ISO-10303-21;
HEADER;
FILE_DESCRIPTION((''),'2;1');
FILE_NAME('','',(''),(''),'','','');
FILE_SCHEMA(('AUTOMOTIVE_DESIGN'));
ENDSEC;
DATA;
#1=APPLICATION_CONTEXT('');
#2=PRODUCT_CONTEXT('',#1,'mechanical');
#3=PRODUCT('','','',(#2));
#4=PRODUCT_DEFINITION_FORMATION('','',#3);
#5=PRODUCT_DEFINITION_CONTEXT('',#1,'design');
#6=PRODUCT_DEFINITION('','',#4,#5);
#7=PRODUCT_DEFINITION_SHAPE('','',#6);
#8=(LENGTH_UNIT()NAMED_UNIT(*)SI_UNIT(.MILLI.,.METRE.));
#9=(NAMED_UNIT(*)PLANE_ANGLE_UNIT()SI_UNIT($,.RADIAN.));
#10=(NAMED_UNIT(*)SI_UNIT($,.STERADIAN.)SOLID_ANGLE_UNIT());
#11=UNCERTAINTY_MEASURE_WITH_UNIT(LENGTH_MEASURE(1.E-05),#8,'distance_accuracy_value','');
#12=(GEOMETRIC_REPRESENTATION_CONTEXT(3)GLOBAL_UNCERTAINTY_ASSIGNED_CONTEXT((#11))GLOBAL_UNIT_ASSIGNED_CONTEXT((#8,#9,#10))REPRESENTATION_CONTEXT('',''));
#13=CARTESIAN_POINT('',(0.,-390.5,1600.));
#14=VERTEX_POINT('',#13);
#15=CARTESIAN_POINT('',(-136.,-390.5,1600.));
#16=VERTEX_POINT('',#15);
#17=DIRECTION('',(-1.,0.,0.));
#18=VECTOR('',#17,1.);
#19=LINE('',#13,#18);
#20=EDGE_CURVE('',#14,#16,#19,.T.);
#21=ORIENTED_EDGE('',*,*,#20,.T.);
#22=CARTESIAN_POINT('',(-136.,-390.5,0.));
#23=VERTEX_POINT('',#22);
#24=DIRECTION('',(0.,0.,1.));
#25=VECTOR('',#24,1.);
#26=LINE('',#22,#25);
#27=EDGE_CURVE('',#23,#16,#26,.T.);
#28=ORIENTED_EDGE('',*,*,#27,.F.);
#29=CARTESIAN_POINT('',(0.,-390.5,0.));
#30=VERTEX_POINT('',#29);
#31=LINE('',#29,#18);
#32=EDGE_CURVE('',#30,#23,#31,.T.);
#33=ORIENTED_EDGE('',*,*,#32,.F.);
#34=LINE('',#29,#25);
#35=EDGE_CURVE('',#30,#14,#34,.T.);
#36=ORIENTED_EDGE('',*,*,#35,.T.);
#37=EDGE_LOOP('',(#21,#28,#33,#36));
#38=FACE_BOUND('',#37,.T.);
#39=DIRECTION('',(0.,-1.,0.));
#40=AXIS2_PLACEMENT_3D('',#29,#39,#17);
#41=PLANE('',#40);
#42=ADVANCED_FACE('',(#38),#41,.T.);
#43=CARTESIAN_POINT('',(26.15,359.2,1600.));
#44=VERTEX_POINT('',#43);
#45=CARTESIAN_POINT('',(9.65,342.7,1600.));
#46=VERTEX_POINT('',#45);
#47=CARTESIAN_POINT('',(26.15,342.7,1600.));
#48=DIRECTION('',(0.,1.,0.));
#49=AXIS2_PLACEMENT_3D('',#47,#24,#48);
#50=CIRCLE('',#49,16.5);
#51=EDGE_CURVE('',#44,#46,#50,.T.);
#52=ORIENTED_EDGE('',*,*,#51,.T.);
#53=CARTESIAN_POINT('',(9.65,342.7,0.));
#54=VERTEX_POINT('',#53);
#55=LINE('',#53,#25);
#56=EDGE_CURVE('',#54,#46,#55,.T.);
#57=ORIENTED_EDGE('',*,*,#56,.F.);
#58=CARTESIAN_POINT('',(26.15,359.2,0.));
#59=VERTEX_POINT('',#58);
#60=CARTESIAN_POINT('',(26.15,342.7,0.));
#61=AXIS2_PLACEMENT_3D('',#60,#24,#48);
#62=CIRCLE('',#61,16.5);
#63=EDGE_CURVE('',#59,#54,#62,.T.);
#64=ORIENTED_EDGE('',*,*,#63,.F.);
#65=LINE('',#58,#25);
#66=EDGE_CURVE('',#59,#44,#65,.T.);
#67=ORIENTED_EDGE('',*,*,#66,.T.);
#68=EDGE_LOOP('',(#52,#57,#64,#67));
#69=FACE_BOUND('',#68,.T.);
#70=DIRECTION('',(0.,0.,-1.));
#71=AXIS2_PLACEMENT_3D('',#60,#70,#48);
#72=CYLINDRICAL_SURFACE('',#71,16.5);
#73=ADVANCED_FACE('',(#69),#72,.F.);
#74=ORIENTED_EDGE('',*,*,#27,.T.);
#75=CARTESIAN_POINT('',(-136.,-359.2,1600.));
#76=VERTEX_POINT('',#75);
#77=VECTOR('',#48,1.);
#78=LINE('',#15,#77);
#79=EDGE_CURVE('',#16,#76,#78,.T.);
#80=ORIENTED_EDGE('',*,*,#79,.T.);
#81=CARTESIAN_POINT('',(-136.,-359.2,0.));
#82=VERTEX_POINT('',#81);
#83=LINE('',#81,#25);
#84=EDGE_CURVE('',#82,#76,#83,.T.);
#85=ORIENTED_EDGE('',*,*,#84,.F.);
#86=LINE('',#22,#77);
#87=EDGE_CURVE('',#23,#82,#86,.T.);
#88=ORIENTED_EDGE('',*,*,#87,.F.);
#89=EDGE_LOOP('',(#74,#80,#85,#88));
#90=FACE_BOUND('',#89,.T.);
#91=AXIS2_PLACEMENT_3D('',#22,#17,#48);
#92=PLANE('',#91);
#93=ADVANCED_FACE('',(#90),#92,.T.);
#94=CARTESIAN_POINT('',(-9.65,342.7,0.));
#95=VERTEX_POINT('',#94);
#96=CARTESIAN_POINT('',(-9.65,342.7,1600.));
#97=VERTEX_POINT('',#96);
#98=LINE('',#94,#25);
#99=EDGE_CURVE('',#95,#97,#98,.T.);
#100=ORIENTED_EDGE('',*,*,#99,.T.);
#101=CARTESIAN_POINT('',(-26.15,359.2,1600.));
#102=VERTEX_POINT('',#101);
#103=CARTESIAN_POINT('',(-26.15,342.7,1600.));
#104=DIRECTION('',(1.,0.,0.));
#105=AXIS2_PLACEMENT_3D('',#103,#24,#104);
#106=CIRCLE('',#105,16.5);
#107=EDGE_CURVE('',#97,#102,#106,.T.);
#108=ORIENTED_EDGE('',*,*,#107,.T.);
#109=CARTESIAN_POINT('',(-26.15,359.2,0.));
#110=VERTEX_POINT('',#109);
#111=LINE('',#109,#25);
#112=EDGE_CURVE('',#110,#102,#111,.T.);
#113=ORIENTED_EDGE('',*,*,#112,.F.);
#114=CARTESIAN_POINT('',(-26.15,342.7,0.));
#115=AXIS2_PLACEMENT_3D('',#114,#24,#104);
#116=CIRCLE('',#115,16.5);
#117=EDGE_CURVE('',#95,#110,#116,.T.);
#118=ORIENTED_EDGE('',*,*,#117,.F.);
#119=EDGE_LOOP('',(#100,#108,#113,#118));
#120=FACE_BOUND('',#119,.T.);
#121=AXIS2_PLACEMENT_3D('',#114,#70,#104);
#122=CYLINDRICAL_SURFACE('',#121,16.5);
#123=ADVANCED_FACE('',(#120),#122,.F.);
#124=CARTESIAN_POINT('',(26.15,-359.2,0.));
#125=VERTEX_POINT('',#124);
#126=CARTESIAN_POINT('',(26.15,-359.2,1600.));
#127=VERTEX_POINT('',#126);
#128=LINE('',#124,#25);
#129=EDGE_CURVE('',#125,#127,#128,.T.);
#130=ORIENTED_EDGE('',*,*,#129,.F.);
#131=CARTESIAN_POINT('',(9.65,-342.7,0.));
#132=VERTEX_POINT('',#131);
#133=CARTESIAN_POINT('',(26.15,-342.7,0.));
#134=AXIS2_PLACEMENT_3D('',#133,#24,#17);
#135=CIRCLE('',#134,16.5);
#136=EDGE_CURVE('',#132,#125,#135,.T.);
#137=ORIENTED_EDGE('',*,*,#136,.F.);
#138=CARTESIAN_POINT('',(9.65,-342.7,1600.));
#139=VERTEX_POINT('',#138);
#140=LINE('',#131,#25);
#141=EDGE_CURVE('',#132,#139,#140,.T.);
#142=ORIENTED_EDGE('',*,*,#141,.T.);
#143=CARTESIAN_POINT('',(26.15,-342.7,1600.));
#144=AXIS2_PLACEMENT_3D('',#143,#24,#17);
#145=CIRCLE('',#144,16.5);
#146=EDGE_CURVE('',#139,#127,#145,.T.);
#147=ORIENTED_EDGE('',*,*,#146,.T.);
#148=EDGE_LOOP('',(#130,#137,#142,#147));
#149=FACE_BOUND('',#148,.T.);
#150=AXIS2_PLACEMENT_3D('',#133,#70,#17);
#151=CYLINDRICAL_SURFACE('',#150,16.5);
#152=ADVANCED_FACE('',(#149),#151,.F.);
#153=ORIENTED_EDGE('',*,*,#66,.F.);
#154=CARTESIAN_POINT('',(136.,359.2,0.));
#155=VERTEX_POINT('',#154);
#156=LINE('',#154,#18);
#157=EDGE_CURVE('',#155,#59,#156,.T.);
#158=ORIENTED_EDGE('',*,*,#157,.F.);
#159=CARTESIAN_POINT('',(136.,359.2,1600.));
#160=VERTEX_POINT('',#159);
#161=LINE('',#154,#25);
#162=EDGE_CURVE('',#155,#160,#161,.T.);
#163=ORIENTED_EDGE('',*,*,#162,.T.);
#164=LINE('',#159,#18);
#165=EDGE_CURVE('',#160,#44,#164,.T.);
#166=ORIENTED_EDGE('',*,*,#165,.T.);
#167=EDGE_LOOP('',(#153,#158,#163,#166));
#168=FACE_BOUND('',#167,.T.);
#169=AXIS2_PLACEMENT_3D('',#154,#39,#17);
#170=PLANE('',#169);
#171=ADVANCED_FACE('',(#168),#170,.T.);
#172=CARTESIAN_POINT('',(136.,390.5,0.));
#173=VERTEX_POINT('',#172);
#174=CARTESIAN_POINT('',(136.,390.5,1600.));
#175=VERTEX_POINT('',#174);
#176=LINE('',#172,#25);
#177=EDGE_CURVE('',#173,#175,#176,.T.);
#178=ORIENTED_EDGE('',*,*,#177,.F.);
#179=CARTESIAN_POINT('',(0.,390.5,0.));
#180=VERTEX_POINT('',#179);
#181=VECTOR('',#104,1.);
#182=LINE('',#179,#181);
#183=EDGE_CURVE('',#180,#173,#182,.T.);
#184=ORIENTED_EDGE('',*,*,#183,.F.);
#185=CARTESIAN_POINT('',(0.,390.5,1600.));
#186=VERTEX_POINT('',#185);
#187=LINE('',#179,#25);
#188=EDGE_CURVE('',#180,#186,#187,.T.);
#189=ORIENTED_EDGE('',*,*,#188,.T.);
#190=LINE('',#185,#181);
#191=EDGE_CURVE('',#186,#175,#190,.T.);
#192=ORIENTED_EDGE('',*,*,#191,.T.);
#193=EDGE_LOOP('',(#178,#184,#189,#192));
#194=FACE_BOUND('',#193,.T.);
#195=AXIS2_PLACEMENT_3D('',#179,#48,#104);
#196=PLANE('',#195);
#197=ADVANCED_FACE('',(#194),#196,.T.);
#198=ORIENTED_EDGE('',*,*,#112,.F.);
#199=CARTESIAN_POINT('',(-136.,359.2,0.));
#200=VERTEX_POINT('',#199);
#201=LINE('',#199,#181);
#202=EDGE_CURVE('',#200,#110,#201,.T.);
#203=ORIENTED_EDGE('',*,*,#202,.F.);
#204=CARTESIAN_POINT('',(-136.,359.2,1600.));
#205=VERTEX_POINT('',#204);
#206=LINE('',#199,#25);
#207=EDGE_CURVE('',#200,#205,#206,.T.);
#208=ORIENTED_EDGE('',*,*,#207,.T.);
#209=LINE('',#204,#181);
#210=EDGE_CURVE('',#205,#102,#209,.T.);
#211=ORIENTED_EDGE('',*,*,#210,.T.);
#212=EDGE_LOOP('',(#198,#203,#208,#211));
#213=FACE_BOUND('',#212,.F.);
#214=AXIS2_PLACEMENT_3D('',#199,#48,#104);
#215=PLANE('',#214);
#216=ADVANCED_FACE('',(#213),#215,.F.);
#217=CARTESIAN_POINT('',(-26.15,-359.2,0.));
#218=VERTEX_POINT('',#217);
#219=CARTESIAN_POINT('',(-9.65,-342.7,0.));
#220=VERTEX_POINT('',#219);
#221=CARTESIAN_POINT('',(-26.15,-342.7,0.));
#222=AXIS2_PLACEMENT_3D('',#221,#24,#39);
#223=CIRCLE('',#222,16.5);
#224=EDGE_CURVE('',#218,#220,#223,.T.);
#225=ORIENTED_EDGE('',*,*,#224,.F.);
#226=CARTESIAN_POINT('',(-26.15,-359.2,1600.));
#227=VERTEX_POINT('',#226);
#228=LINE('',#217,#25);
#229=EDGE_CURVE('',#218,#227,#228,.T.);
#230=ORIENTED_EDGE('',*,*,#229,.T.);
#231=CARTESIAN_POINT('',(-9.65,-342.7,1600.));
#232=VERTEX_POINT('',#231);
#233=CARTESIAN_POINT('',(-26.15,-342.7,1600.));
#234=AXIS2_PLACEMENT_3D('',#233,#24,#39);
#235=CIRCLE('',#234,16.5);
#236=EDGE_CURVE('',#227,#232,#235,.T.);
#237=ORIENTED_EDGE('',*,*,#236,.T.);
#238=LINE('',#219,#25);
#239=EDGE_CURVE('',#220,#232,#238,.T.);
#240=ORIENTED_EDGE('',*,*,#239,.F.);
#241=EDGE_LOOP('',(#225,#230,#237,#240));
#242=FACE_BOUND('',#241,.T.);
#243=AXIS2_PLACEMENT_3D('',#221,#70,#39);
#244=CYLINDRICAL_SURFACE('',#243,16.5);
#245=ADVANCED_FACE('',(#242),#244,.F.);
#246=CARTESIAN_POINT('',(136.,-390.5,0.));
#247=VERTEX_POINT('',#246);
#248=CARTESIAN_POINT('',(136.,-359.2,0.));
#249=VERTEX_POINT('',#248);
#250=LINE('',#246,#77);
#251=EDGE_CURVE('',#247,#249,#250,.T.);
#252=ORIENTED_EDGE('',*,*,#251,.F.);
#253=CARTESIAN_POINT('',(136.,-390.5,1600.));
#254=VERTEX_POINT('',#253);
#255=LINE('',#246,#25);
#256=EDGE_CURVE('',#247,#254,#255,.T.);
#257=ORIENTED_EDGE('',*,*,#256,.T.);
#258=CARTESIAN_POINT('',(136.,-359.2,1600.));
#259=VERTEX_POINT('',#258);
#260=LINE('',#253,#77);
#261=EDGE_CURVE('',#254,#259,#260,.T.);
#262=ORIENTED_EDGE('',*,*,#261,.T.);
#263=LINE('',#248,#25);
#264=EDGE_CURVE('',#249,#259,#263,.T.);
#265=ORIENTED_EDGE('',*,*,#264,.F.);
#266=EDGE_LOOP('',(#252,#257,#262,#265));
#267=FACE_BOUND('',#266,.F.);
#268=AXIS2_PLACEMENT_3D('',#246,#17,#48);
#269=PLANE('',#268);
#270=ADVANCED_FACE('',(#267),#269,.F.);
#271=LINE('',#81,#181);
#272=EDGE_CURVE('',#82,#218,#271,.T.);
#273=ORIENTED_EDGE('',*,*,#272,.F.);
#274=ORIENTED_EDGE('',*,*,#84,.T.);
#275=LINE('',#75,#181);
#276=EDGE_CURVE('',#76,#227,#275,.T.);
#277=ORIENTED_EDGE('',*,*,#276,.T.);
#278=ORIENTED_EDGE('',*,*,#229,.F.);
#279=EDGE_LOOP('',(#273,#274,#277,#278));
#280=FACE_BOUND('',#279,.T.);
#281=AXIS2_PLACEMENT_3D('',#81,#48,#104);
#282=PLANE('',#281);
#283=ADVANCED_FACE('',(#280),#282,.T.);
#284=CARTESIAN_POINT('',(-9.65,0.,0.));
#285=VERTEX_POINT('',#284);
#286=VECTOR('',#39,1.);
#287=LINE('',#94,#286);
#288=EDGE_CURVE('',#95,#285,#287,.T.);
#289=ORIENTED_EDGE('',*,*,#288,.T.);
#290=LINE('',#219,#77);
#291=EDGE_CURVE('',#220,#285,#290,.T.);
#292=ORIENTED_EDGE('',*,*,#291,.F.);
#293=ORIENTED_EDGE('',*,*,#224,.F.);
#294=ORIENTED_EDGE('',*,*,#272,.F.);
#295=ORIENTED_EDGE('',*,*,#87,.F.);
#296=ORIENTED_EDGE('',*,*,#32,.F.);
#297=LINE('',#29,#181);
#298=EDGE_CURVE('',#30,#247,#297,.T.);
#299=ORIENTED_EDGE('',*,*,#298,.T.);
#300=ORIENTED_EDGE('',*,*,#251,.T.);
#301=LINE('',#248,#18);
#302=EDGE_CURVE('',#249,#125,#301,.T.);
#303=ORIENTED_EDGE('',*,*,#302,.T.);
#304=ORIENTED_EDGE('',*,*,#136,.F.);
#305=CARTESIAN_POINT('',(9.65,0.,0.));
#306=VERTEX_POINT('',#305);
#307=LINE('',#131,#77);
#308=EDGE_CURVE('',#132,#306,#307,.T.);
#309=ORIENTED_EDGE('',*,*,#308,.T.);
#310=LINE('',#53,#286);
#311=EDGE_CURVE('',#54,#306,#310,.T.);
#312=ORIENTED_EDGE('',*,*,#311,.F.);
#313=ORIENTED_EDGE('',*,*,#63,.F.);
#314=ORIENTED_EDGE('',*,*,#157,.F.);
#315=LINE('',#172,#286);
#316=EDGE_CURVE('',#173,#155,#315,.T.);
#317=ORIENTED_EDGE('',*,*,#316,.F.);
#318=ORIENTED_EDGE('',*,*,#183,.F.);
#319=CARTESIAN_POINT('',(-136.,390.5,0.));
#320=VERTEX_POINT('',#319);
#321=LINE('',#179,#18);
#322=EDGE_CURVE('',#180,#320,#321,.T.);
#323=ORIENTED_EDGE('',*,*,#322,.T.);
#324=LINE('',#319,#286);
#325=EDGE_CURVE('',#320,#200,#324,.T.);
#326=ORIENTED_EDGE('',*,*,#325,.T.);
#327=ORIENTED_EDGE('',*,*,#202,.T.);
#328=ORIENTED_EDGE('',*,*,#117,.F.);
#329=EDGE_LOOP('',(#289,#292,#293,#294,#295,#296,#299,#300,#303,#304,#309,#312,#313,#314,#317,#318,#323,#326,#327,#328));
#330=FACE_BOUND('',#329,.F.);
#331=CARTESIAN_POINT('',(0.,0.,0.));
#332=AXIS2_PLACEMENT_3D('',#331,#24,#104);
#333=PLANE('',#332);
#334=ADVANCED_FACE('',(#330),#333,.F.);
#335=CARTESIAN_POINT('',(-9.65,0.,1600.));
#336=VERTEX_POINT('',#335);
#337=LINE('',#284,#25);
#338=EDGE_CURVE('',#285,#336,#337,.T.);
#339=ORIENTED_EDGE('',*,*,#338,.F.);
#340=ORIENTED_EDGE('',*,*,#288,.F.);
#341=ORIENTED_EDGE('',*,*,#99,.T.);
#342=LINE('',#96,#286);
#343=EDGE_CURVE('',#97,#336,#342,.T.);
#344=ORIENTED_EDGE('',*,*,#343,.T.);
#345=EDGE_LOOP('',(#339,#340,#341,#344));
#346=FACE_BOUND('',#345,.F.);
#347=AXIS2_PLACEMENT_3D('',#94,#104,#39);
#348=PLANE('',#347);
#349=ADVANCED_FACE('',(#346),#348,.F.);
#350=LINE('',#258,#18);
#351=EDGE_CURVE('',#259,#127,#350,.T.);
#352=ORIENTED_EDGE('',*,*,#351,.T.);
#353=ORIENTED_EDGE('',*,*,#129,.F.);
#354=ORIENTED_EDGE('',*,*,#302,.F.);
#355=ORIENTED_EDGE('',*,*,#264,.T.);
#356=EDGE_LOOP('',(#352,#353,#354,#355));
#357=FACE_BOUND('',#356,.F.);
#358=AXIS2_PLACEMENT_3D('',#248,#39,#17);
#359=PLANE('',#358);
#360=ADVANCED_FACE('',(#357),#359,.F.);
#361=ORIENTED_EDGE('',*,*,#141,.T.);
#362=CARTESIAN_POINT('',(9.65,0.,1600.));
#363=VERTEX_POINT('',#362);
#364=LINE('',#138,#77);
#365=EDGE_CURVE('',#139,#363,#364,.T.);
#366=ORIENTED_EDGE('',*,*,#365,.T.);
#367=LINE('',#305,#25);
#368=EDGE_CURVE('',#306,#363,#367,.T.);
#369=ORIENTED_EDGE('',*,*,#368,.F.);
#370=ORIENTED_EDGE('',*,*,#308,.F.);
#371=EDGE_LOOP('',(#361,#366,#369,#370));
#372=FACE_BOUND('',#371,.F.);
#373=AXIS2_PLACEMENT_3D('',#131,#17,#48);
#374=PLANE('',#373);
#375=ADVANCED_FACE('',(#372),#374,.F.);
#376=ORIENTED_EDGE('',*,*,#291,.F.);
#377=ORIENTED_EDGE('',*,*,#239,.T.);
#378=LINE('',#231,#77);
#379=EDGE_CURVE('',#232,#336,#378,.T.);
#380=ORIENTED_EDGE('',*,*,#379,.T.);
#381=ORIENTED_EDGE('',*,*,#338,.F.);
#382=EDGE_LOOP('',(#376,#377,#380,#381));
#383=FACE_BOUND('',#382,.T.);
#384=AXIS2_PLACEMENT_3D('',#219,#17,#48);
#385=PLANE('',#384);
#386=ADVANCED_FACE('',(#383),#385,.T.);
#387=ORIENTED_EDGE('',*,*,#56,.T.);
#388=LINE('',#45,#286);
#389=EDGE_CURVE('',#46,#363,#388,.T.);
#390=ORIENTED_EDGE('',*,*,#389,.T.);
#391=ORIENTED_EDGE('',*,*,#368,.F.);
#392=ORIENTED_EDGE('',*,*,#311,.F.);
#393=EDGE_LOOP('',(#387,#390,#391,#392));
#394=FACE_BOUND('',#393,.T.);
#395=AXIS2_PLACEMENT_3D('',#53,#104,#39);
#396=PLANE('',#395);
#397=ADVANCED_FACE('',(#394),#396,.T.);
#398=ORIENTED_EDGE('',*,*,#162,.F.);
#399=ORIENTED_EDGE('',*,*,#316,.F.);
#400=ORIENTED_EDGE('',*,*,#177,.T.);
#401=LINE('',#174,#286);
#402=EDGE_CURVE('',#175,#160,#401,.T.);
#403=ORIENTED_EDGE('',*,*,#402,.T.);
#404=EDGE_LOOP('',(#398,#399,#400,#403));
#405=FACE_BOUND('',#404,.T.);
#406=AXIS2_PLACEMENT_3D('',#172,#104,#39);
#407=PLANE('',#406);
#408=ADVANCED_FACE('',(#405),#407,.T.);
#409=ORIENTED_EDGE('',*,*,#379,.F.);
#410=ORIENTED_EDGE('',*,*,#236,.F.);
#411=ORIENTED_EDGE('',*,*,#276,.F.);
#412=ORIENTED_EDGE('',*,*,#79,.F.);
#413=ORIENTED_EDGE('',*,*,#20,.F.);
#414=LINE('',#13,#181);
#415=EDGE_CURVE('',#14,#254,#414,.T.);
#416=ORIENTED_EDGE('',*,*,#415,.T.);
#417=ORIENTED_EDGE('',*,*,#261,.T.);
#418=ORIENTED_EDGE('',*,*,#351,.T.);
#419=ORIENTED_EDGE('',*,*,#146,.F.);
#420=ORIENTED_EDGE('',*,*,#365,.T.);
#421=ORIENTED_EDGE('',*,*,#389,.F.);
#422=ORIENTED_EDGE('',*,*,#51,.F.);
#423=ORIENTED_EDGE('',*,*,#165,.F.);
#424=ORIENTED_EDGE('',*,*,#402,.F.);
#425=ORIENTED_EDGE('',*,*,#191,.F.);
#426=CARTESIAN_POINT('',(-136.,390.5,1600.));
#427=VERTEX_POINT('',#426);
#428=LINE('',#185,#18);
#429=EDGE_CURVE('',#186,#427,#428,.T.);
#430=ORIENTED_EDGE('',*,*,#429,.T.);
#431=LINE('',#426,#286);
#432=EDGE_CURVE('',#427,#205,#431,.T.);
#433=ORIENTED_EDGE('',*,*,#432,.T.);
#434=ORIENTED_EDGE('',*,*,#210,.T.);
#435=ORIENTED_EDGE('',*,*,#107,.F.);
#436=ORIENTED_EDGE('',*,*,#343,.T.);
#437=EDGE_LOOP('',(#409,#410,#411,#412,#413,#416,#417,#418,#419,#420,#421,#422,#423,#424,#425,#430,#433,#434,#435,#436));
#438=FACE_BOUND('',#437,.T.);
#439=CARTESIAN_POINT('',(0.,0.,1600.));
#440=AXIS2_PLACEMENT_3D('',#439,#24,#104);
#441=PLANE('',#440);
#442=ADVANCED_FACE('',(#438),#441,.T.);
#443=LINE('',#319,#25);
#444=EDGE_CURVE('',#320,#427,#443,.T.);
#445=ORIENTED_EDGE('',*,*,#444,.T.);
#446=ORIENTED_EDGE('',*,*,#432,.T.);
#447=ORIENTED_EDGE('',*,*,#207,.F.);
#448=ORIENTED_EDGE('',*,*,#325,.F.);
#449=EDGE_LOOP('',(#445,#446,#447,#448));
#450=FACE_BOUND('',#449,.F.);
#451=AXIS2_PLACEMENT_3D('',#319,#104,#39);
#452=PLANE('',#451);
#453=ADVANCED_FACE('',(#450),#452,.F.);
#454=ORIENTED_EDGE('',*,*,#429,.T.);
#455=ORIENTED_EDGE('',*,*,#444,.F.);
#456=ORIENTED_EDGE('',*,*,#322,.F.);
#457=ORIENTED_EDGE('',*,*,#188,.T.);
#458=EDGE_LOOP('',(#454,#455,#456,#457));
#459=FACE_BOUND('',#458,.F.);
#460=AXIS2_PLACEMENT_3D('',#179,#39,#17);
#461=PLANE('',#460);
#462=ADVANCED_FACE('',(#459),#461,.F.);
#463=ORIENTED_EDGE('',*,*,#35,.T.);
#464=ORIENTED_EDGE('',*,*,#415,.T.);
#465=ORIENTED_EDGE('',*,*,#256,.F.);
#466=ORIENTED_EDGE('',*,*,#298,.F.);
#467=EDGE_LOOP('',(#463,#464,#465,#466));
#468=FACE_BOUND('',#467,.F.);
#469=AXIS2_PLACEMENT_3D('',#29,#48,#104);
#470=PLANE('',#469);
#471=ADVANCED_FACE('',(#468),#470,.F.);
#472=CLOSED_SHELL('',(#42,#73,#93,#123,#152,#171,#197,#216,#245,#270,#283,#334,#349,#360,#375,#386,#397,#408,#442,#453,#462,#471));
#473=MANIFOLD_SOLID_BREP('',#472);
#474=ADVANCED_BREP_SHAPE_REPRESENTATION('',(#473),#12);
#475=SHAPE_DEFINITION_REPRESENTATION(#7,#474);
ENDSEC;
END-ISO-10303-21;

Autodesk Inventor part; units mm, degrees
ref_plane "YZ Plane" through (0, 0, 0) normal (1, 0, 0) x (0, 1, 0)
ref_plane "Start plane" through (0, 0, 0) normal (0, 0, 1) x (1, 0, 0)
ref_plane "End plane" through (0, 0, 1600) normal (0, 0, 1) x (1, 0, 0)
sketch "Sketch" plane through (0, 0, 0) normal (0, 0, 1) x (1, 0, 0)
  line L0 (-136, -390.5) -> (-136, -359.2)
  line L1 (-136, -359.2) -> (-26.15, -359.2)
  line L2 (-9.65, -342.7) -> (-9.65, 0)
  line L3 (-9.65, 0) -> (0, 0) construction
  line L4 (0, 0) -> (0, -390.5) construction
  line L5 (0, -390.5) -> (-136, -390.5)
  line L6 (-60, 0) -> (80, 0) construction
  line L7 (0, -60) -> (0, 80) construction
  line L8 (136, -390.5) -> (136, -359.2)
  line L9 (136, -359.2) -> (26.15, -359.2)
  line L10 (9.65, -342.7) -> (9.65, 0)
  line L11 (9.65, 0) -> (0, 0) construction
  line L12 (0, -390.5) -> (136, -390.5)
  line L13 (-136, 390.5) -> (-136, 359.2)
  line L14 (-136, 359.2) -> (-26.15, 359.2)
  line L15 (-9.65, 342.7) -> (-9.65, 0)
  line L16 (0, 390.5) -> (-136, 390.5)
  line L17 (136, 390.5) -> (136, 359.2)
  line L18 (136, 359.2) -> (26.15, 359.2)
  line L19 (0, 390.5) -> (136, 390.5)
  line L20 (9.65, 342.7) -> (9.65, 0)
  arc A0 (-9.65, 342.7) -> (-26.15, 359.2) centre (-26.15, 342.7) ccw
  arc A1 (26.15, 359.2) -> (9.65, 342.7) centre (26.15, 342.7) ccw
  arc A2 (9.65, -342.7) -> (26.15, -359.2) centre (26.15, -342.7) ccw
  arc A3 (-26.15, -359.2) -> (-9.65, -342.7) centre (-26.15, -342.7) ccw
  line L21 (0, 108) -> (0, -88) construction
  line L22 (-88, 0) -> (108, 0) construction
  point P0 (-9.65, -359.2)
  point P1 (9.65, -359.2)
  point P2 (-9.65, 359.2)
  point P3 (9.65, 359.2)
  dimension "d1" = 390.5
  dimension "d2" = 31.3
  dimension "d3" = 136
  dimension "d4" = 9.65
  dimension "d10" = 16.5
extrude "Body" add sketch "Sketch" along normal up to surface (1600 mm away) from surface at 0
sketch "Sketch4" plane through (0, 0, 0) normal (0, 0, 1) x (1, 0, 0)
  line L0 (0, 0) -> (10, 0)
ref_plane "Work Plane3" through (0, 0, 0) normal (0, -1, 0) x (1, 0, 0)
sketch "Sketch5" plane through (0, 0, 0) normal (0, -1, 0) x (1, 0, 0)
  line L0 (-2, 0) -> (12, 0) projected
  line L1 (-2, 1600) -> (12, 1600) projected
  dimension "d14" = 1600
equation "\"d1\" = 0.5 * G_H"
equation "\"d2\" = G_T1"
equation "\"d3\" = 0.5 * G_W"
equation "\"d4\" = 0.5 * G_T"
equation "\"d10\" = G_IR"
equation "\"d5\" = G_L"
equation "\"G_W\" = 272"
equation "\"G_H\" = 781"
equation "\"G_T\" = 19.3"
equation "\"G_T1\" = 31.3"
equation "\"G_IR\" = 16.5"
equation "\"G_L\" = d14"
equation "\"G_OFFSET_START\" = 0"
equation "\"G_OFFSET_END\" = 0"
properties part number "AS 3679-1990 - 760 UB - 244 - 1600" material "Steel, Mild"
